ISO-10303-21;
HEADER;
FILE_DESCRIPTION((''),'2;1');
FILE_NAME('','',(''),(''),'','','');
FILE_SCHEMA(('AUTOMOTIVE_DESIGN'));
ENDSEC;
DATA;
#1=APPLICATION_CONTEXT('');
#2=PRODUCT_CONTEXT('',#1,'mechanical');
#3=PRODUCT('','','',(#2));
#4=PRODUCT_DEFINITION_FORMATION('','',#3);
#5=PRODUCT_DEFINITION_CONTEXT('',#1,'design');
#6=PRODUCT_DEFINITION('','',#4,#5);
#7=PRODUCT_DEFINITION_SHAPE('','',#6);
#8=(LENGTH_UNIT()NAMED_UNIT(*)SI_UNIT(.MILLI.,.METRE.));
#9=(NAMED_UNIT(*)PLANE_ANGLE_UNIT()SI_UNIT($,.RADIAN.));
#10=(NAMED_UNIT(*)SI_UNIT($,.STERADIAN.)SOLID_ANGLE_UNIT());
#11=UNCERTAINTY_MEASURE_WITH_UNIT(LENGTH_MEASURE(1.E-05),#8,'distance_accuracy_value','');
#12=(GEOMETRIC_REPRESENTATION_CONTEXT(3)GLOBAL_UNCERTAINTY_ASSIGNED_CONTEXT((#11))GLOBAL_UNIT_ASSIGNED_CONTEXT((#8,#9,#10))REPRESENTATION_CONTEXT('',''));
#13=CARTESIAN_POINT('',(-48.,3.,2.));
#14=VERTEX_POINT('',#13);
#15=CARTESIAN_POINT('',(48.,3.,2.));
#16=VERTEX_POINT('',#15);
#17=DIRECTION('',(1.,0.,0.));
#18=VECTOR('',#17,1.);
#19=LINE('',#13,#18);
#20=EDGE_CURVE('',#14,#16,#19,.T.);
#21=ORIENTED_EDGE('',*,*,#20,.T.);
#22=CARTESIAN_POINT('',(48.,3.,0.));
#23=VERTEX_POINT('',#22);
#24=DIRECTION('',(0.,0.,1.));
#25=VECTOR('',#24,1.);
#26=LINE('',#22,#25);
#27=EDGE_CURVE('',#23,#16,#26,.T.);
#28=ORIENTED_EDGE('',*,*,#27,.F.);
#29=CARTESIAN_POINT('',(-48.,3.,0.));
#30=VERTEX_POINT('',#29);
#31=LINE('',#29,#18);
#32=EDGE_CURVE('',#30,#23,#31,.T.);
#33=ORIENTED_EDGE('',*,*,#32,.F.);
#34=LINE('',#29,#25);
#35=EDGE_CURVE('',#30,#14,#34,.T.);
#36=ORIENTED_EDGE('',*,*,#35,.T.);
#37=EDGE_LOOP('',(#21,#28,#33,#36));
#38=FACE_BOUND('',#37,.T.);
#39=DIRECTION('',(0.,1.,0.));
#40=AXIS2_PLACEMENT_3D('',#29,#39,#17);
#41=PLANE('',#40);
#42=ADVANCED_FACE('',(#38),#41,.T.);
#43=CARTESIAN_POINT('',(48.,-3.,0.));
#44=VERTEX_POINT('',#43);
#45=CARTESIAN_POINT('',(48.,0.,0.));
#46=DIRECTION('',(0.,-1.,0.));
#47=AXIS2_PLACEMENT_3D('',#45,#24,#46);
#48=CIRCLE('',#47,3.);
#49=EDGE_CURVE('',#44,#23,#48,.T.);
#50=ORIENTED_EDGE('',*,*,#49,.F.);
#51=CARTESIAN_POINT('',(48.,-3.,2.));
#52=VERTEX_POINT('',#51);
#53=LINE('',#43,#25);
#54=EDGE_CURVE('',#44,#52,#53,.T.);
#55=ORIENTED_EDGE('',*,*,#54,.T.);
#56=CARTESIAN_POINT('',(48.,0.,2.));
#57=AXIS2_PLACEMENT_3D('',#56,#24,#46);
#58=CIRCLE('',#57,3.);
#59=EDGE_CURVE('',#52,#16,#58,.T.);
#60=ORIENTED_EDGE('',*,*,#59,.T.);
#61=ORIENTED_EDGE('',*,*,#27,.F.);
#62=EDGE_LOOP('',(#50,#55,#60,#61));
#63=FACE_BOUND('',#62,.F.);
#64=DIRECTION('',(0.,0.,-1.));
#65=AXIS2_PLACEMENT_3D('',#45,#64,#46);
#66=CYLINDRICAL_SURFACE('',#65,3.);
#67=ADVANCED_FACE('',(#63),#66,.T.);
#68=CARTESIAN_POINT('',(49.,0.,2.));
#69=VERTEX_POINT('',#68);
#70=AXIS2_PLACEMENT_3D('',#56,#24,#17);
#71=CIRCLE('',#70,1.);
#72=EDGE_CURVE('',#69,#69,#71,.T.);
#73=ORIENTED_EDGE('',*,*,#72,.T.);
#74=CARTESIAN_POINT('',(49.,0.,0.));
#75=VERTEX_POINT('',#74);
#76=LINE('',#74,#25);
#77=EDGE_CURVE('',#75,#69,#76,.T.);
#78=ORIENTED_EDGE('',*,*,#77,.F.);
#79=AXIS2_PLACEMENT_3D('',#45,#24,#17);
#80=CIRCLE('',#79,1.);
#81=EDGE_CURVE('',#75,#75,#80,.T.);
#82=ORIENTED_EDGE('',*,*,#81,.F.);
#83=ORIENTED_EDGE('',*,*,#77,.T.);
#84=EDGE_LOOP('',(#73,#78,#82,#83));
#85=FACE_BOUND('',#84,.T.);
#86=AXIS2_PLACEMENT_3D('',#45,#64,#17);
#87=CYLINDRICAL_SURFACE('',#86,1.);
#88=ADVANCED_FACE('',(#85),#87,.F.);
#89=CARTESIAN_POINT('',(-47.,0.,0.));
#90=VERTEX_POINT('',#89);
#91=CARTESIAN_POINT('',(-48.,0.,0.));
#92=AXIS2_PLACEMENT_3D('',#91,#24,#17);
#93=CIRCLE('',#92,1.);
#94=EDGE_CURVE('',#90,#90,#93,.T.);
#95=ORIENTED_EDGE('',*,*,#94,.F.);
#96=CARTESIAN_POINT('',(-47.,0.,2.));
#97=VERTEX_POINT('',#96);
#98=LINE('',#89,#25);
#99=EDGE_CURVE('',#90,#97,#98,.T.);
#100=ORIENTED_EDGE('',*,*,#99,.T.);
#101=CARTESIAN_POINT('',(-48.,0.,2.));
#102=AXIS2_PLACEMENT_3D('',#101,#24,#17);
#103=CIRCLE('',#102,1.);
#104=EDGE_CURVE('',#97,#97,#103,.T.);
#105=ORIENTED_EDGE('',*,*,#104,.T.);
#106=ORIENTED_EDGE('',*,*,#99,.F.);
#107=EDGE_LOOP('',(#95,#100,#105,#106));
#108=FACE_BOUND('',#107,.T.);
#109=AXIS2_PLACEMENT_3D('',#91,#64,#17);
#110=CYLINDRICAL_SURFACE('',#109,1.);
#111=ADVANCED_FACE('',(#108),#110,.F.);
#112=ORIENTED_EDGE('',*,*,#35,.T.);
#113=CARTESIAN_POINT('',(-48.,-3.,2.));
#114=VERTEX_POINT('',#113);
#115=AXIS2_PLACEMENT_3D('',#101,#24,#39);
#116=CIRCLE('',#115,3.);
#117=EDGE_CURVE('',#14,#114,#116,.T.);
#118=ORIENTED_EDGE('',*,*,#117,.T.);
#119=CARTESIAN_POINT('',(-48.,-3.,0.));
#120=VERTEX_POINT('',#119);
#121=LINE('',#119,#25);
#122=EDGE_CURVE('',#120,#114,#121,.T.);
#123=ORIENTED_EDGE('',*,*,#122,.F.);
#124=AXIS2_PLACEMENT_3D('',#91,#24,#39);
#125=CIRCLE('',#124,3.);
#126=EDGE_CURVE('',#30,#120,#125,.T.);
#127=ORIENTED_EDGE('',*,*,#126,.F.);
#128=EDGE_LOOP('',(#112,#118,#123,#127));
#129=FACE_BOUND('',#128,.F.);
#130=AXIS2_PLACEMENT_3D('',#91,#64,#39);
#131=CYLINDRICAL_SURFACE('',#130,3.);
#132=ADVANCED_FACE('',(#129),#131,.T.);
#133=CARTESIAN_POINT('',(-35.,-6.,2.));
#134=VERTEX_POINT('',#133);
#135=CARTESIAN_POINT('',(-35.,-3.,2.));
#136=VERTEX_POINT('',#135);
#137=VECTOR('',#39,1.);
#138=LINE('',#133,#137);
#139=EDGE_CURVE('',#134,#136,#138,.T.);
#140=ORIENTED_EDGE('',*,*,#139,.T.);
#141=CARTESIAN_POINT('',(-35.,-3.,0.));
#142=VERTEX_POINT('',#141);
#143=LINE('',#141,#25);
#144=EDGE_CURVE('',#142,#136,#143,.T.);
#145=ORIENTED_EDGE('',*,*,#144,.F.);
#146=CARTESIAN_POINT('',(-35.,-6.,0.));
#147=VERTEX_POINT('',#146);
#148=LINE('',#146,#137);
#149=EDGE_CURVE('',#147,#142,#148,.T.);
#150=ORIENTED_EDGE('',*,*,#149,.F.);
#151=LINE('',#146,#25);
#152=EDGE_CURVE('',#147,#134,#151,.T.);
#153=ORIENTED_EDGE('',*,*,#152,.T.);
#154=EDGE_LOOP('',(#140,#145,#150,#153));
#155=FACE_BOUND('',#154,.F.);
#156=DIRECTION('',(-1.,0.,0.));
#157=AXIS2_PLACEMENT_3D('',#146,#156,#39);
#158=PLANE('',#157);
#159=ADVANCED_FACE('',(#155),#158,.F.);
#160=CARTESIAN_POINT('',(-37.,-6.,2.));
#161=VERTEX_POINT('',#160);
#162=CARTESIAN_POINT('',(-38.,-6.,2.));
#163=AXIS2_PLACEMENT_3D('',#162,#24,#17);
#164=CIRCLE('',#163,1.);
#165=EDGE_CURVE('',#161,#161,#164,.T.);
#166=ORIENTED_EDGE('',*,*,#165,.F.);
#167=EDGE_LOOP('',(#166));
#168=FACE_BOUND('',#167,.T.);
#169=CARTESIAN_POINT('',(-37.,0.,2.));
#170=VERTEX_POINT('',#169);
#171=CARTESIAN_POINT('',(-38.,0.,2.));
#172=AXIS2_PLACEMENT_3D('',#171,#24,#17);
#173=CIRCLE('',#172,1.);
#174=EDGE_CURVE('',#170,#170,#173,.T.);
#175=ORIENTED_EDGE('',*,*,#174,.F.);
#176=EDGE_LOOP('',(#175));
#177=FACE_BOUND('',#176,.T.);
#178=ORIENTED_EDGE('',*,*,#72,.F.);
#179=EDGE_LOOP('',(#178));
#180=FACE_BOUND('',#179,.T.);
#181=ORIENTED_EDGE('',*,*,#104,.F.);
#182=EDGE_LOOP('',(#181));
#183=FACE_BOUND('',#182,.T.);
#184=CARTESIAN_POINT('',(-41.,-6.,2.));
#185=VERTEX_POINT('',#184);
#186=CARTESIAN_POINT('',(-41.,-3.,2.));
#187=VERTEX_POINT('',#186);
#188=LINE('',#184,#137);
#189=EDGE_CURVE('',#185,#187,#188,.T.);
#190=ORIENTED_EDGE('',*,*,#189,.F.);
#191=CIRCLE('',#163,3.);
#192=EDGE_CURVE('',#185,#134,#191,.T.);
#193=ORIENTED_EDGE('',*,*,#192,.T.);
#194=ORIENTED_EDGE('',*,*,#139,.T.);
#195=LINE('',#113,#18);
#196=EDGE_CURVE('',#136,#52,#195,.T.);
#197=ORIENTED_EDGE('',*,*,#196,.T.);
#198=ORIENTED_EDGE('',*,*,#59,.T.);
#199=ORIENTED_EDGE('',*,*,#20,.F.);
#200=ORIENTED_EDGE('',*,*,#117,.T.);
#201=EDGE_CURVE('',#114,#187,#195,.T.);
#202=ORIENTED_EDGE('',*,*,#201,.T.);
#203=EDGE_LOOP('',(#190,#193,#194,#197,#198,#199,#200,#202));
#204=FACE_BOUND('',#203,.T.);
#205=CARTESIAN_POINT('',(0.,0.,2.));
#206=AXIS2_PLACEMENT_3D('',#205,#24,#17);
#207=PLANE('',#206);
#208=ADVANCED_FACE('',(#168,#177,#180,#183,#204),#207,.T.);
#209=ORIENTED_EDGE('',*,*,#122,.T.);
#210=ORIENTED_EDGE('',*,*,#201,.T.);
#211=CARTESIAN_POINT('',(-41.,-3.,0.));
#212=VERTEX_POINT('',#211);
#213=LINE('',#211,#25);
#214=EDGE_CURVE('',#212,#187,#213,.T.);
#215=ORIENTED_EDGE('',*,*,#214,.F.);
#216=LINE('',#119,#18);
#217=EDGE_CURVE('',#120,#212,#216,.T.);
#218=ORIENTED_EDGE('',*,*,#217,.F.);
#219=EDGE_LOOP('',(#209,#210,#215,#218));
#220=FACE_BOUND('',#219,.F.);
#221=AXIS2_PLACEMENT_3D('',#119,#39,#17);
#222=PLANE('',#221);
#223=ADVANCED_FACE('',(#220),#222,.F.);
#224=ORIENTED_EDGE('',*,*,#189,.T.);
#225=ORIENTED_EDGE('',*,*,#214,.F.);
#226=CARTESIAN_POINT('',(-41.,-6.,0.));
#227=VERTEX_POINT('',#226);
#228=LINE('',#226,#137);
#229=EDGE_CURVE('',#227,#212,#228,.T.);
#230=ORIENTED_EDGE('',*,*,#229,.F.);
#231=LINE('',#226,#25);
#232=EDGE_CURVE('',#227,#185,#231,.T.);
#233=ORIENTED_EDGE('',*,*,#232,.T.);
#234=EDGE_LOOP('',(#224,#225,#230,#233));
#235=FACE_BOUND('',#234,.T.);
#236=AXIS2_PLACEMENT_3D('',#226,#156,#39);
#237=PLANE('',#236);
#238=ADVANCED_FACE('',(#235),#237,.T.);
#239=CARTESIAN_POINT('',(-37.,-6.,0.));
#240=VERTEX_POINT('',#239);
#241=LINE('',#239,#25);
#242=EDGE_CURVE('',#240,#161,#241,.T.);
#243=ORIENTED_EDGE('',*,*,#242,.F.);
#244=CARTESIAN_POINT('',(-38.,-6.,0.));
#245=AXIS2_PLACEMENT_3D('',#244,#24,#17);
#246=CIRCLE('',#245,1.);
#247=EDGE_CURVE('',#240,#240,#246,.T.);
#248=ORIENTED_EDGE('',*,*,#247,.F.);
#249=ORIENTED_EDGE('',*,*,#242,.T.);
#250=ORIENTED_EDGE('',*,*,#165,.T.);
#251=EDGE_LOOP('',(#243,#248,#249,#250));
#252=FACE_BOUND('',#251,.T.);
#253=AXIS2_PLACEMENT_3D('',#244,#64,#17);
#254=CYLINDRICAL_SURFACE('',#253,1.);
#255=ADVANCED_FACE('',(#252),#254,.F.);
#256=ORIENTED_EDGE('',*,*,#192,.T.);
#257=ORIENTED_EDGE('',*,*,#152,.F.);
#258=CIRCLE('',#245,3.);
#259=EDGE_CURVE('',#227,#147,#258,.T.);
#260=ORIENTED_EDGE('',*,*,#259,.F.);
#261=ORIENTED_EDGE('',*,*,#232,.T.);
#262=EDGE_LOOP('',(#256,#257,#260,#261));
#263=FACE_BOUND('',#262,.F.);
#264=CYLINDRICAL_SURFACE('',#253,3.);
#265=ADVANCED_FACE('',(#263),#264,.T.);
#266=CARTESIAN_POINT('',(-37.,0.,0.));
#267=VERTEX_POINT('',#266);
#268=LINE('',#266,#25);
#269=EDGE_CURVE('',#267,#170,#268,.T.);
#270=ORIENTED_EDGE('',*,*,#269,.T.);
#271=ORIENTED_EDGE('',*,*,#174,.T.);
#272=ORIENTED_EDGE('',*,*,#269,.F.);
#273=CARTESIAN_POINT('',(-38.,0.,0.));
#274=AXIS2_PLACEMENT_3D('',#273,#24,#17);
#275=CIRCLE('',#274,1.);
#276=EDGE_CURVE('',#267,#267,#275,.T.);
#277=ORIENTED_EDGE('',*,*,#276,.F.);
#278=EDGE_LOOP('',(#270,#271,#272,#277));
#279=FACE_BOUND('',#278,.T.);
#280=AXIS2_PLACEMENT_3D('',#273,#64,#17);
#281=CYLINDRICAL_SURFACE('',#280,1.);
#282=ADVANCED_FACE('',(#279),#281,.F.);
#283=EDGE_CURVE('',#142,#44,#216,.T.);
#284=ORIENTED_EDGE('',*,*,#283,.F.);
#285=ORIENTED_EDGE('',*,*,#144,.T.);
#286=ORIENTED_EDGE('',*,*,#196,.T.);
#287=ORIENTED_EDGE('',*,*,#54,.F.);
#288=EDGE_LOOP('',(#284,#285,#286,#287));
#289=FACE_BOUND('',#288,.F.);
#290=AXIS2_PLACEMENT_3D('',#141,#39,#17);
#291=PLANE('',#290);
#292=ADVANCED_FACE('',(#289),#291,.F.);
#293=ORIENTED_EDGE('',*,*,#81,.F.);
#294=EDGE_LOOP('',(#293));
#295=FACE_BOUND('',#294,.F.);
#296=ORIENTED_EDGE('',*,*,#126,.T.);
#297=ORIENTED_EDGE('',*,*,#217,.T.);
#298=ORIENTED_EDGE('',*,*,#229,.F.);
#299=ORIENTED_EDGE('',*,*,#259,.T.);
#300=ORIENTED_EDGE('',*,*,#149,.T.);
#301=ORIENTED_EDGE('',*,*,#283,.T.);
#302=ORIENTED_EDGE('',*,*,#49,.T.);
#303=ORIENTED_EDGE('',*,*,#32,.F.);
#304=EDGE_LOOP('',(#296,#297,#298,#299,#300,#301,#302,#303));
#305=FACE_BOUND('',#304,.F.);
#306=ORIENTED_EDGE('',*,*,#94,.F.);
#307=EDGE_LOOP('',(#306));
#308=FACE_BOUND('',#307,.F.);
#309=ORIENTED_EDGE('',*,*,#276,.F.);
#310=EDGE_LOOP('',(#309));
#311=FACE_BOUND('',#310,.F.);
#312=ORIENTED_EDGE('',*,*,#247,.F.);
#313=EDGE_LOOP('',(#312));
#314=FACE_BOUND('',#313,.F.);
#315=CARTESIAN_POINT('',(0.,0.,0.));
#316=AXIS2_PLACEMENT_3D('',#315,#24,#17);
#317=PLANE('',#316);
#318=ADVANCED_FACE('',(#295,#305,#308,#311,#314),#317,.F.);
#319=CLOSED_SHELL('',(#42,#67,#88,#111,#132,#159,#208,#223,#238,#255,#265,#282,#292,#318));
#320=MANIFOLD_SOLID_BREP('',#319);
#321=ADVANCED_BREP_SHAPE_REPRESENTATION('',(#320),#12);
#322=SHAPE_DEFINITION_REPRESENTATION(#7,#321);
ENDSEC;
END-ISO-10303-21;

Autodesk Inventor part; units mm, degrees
ref_plane "YZ Plane" through (0, 0, 0) normal (1, 0, 0) x (0, 1, 0)
ref_plane "XZ Plane" through (0, 0, 0) normal (0, 1, 0) x (-1, 0, 0)
ref_plane "XY Plane" through (0, 0, 0) normal (0, 0, 1) x (1, 0, 0)
sketch "Sketch1" plane through (0, 0, 0) normal (0, 0, 1) x (1, 0, 0)
  circle A0 centre (-48, 0) radius 1
  circle A1 centre (48, 0) radius 1
  line L0 (-48, 0) -> (0, 0) construction
  line L1 (0, 0) -> (48, 0) construction
  line L2 (-48, 3) -> (48, 3)
  line L3 (-48, -3) -> (48, -3)
  line L4 (0, 3) -> (0, -3) construction
  arc A2 (-48, 3) -> (-48, -3) centre (-48, 0) ccw
  arc A3 (48, -3) -> (48, 3) centre (48, 0) ccw
  circle A4 centre (-38, 0) radius 1
  circle A5 centre (-38, -6) radius 3
  line L5 (-41, -6) -> (-41, -3)
  line L6 (-35, -6) -> (-35, -3)
  circle A6 centre (-38, -6) radius 1
  point P0 (-48, -1)
  dimension "d0" = 2
  dimension "d1" = 2
  dimension "d2" = 48
  dimension "d5" = 10
extrude "Extrusion1" add sketch "Sketch1" along normal blind 2
properties part number "Wing"
